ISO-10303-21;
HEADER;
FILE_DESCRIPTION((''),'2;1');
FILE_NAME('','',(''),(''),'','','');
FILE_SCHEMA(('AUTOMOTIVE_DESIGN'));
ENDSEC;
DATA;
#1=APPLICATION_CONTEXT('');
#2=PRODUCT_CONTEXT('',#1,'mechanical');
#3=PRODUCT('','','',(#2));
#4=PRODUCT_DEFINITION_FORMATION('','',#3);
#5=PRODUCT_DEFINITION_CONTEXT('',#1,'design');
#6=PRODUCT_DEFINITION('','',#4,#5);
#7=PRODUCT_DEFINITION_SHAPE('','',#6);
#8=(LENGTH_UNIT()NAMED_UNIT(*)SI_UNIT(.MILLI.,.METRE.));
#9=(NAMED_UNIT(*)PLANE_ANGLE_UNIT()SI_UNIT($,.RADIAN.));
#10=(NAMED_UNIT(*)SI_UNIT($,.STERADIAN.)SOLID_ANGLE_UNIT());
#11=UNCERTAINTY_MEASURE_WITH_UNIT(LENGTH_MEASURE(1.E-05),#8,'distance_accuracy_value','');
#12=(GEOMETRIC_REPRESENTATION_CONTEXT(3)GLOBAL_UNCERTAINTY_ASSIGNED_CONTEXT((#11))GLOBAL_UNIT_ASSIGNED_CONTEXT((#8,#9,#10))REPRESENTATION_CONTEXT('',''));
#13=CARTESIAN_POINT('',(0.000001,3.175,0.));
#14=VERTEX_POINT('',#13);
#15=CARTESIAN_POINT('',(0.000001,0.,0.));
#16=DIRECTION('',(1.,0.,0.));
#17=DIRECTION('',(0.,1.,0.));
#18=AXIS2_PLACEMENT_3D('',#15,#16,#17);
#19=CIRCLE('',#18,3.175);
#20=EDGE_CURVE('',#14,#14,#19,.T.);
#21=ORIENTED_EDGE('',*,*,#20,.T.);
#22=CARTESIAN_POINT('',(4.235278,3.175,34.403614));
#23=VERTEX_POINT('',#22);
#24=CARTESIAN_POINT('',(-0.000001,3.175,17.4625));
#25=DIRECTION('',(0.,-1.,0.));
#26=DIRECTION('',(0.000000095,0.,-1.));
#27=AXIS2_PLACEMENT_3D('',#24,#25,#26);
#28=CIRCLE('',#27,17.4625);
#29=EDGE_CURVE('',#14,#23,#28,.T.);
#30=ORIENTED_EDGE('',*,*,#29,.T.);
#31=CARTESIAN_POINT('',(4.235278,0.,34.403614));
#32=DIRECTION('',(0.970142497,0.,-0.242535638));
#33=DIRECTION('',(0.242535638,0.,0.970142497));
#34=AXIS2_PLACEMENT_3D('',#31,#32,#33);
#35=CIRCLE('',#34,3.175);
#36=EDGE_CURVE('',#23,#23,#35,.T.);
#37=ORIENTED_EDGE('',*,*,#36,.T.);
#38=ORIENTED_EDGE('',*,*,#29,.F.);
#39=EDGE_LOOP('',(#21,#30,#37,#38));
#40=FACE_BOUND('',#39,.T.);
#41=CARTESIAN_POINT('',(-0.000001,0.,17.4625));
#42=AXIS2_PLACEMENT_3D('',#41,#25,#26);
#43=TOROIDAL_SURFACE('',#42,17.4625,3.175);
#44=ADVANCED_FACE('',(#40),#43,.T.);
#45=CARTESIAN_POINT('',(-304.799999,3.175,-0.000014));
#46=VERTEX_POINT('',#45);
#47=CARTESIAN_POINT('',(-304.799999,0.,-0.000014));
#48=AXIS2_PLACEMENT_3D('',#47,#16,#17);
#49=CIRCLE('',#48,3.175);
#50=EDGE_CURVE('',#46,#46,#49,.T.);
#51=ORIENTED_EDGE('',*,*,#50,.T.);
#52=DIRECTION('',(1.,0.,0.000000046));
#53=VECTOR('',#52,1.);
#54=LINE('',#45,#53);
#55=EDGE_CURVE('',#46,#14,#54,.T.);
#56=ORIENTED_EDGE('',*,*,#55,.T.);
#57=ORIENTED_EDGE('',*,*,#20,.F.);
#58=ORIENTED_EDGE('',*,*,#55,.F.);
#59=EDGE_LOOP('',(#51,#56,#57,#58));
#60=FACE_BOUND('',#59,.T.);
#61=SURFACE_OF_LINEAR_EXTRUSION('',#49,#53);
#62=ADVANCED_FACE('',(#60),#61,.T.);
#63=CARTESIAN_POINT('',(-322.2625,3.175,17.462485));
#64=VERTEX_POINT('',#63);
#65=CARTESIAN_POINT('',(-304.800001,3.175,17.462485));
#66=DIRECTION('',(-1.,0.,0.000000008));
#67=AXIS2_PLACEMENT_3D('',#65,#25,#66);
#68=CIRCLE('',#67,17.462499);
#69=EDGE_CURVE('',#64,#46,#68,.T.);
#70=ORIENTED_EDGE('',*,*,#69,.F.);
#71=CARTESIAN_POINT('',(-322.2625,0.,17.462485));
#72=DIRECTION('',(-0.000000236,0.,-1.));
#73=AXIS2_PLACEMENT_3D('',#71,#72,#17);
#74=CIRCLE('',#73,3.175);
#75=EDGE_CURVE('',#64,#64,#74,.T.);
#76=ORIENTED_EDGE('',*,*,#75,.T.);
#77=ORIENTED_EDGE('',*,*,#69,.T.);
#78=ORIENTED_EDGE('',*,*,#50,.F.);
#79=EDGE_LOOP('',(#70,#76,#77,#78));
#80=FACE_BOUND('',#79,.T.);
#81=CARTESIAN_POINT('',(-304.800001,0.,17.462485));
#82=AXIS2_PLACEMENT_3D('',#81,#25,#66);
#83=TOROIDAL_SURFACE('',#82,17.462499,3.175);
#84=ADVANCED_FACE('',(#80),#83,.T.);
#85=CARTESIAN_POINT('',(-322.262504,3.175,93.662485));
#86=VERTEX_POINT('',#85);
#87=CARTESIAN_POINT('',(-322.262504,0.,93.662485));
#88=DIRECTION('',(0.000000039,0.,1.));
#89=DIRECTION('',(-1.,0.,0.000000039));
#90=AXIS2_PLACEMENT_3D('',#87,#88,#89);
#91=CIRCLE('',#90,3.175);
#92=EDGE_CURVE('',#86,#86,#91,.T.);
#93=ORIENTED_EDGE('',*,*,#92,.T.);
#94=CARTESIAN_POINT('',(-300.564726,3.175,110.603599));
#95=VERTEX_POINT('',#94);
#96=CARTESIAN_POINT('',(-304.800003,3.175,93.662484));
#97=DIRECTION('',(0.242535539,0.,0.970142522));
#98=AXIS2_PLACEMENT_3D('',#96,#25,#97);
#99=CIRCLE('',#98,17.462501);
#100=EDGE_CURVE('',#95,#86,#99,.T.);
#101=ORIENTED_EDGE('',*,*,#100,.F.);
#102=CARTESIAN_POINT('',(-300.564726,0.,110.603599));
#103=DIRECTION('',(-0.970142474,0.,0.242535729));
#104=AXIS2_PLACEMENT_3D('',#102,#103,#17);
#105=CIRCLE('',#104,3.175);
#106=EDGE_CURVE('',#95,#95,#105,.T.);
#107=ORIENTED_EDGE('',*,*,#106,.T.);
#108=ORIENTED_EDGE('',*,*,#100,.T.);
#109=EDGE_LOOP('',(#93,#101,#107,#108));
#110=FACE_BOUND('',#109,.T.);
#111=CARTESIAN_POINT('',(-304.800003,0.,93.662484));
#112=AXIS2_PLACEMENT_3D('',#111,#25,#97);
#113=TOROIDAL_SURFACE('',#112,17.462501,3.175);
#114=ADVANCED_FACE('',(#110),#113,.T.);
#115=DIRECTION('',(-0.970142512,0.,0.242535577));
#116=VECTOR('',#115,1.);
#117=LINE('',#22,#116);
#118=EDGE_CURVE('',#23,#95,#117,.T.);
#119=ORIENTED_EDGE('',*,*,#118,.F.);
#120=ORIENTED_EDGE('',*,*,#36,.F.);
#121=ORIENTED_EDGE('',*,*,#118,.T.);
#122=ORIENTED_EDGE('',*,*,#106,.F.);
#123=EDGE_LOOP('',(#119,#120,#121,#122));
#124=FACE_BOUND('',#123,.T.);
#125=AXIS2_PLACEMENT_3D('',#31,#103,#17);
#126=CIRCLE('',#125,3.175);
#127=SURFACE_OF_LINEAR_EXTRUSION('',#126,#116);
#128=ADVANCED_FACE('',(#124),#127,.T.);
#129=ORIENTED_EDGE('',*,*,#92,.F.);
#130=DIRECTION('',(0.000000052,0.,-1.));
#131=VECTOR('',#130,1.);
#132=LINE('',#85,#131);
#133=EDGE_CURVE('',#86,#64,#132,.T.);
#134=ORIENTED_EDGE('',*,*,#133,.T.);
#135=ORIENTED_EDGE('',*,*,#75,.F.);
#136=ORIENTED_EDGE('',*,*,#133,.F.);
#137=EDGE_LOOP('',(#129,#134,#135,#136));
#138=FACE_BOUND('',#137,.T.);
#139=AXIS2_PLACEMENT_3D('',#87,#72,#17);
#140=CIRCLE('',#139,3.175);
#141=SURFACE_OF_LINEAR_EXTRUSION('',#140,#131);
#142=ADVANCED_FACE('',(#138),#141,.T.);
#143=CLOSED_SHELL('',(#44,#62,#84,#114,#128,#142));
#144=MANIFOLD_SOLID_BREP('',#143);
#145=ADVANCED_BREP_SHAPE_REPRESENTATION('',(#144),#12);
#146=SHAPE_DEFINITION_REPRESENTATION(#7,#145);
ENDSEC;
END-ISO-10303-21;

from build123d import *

# Parameters (mm, degrees)
F1_R = 3.175


with BuildPart() as f2:
    # F2: sweep along a path in F0
    with BuildLine(Plane.XZ) as f2_path:
        Line((-304.799999, -1.4e-05), (1e-06, 0))
        ThreePointArc((1e-06, 0), (17.331663, 15.328876), (4.235278, 34.403614))
        Line((4.235278, 34.403614), (-300.564726, 110.603599))
        ThreePointArc((-300.564726, 110.603599), (-315.54664, 107.426522), (-322.262504, 93.662485))
        Line((-322.262504, 93.662485), (-322.2625, 17.462485))
        ThreePointArc((-322.2625, 17.462485), (-317.147852, 5.114633), (-304.799999, -1.4e-05))
    # F1 (on Right) → F2 (sweep)
    with BuildSketch(Plane.YZ):
        Circle(F1_R)
    sweep(path=f2_path.line)


solid = f2.part
